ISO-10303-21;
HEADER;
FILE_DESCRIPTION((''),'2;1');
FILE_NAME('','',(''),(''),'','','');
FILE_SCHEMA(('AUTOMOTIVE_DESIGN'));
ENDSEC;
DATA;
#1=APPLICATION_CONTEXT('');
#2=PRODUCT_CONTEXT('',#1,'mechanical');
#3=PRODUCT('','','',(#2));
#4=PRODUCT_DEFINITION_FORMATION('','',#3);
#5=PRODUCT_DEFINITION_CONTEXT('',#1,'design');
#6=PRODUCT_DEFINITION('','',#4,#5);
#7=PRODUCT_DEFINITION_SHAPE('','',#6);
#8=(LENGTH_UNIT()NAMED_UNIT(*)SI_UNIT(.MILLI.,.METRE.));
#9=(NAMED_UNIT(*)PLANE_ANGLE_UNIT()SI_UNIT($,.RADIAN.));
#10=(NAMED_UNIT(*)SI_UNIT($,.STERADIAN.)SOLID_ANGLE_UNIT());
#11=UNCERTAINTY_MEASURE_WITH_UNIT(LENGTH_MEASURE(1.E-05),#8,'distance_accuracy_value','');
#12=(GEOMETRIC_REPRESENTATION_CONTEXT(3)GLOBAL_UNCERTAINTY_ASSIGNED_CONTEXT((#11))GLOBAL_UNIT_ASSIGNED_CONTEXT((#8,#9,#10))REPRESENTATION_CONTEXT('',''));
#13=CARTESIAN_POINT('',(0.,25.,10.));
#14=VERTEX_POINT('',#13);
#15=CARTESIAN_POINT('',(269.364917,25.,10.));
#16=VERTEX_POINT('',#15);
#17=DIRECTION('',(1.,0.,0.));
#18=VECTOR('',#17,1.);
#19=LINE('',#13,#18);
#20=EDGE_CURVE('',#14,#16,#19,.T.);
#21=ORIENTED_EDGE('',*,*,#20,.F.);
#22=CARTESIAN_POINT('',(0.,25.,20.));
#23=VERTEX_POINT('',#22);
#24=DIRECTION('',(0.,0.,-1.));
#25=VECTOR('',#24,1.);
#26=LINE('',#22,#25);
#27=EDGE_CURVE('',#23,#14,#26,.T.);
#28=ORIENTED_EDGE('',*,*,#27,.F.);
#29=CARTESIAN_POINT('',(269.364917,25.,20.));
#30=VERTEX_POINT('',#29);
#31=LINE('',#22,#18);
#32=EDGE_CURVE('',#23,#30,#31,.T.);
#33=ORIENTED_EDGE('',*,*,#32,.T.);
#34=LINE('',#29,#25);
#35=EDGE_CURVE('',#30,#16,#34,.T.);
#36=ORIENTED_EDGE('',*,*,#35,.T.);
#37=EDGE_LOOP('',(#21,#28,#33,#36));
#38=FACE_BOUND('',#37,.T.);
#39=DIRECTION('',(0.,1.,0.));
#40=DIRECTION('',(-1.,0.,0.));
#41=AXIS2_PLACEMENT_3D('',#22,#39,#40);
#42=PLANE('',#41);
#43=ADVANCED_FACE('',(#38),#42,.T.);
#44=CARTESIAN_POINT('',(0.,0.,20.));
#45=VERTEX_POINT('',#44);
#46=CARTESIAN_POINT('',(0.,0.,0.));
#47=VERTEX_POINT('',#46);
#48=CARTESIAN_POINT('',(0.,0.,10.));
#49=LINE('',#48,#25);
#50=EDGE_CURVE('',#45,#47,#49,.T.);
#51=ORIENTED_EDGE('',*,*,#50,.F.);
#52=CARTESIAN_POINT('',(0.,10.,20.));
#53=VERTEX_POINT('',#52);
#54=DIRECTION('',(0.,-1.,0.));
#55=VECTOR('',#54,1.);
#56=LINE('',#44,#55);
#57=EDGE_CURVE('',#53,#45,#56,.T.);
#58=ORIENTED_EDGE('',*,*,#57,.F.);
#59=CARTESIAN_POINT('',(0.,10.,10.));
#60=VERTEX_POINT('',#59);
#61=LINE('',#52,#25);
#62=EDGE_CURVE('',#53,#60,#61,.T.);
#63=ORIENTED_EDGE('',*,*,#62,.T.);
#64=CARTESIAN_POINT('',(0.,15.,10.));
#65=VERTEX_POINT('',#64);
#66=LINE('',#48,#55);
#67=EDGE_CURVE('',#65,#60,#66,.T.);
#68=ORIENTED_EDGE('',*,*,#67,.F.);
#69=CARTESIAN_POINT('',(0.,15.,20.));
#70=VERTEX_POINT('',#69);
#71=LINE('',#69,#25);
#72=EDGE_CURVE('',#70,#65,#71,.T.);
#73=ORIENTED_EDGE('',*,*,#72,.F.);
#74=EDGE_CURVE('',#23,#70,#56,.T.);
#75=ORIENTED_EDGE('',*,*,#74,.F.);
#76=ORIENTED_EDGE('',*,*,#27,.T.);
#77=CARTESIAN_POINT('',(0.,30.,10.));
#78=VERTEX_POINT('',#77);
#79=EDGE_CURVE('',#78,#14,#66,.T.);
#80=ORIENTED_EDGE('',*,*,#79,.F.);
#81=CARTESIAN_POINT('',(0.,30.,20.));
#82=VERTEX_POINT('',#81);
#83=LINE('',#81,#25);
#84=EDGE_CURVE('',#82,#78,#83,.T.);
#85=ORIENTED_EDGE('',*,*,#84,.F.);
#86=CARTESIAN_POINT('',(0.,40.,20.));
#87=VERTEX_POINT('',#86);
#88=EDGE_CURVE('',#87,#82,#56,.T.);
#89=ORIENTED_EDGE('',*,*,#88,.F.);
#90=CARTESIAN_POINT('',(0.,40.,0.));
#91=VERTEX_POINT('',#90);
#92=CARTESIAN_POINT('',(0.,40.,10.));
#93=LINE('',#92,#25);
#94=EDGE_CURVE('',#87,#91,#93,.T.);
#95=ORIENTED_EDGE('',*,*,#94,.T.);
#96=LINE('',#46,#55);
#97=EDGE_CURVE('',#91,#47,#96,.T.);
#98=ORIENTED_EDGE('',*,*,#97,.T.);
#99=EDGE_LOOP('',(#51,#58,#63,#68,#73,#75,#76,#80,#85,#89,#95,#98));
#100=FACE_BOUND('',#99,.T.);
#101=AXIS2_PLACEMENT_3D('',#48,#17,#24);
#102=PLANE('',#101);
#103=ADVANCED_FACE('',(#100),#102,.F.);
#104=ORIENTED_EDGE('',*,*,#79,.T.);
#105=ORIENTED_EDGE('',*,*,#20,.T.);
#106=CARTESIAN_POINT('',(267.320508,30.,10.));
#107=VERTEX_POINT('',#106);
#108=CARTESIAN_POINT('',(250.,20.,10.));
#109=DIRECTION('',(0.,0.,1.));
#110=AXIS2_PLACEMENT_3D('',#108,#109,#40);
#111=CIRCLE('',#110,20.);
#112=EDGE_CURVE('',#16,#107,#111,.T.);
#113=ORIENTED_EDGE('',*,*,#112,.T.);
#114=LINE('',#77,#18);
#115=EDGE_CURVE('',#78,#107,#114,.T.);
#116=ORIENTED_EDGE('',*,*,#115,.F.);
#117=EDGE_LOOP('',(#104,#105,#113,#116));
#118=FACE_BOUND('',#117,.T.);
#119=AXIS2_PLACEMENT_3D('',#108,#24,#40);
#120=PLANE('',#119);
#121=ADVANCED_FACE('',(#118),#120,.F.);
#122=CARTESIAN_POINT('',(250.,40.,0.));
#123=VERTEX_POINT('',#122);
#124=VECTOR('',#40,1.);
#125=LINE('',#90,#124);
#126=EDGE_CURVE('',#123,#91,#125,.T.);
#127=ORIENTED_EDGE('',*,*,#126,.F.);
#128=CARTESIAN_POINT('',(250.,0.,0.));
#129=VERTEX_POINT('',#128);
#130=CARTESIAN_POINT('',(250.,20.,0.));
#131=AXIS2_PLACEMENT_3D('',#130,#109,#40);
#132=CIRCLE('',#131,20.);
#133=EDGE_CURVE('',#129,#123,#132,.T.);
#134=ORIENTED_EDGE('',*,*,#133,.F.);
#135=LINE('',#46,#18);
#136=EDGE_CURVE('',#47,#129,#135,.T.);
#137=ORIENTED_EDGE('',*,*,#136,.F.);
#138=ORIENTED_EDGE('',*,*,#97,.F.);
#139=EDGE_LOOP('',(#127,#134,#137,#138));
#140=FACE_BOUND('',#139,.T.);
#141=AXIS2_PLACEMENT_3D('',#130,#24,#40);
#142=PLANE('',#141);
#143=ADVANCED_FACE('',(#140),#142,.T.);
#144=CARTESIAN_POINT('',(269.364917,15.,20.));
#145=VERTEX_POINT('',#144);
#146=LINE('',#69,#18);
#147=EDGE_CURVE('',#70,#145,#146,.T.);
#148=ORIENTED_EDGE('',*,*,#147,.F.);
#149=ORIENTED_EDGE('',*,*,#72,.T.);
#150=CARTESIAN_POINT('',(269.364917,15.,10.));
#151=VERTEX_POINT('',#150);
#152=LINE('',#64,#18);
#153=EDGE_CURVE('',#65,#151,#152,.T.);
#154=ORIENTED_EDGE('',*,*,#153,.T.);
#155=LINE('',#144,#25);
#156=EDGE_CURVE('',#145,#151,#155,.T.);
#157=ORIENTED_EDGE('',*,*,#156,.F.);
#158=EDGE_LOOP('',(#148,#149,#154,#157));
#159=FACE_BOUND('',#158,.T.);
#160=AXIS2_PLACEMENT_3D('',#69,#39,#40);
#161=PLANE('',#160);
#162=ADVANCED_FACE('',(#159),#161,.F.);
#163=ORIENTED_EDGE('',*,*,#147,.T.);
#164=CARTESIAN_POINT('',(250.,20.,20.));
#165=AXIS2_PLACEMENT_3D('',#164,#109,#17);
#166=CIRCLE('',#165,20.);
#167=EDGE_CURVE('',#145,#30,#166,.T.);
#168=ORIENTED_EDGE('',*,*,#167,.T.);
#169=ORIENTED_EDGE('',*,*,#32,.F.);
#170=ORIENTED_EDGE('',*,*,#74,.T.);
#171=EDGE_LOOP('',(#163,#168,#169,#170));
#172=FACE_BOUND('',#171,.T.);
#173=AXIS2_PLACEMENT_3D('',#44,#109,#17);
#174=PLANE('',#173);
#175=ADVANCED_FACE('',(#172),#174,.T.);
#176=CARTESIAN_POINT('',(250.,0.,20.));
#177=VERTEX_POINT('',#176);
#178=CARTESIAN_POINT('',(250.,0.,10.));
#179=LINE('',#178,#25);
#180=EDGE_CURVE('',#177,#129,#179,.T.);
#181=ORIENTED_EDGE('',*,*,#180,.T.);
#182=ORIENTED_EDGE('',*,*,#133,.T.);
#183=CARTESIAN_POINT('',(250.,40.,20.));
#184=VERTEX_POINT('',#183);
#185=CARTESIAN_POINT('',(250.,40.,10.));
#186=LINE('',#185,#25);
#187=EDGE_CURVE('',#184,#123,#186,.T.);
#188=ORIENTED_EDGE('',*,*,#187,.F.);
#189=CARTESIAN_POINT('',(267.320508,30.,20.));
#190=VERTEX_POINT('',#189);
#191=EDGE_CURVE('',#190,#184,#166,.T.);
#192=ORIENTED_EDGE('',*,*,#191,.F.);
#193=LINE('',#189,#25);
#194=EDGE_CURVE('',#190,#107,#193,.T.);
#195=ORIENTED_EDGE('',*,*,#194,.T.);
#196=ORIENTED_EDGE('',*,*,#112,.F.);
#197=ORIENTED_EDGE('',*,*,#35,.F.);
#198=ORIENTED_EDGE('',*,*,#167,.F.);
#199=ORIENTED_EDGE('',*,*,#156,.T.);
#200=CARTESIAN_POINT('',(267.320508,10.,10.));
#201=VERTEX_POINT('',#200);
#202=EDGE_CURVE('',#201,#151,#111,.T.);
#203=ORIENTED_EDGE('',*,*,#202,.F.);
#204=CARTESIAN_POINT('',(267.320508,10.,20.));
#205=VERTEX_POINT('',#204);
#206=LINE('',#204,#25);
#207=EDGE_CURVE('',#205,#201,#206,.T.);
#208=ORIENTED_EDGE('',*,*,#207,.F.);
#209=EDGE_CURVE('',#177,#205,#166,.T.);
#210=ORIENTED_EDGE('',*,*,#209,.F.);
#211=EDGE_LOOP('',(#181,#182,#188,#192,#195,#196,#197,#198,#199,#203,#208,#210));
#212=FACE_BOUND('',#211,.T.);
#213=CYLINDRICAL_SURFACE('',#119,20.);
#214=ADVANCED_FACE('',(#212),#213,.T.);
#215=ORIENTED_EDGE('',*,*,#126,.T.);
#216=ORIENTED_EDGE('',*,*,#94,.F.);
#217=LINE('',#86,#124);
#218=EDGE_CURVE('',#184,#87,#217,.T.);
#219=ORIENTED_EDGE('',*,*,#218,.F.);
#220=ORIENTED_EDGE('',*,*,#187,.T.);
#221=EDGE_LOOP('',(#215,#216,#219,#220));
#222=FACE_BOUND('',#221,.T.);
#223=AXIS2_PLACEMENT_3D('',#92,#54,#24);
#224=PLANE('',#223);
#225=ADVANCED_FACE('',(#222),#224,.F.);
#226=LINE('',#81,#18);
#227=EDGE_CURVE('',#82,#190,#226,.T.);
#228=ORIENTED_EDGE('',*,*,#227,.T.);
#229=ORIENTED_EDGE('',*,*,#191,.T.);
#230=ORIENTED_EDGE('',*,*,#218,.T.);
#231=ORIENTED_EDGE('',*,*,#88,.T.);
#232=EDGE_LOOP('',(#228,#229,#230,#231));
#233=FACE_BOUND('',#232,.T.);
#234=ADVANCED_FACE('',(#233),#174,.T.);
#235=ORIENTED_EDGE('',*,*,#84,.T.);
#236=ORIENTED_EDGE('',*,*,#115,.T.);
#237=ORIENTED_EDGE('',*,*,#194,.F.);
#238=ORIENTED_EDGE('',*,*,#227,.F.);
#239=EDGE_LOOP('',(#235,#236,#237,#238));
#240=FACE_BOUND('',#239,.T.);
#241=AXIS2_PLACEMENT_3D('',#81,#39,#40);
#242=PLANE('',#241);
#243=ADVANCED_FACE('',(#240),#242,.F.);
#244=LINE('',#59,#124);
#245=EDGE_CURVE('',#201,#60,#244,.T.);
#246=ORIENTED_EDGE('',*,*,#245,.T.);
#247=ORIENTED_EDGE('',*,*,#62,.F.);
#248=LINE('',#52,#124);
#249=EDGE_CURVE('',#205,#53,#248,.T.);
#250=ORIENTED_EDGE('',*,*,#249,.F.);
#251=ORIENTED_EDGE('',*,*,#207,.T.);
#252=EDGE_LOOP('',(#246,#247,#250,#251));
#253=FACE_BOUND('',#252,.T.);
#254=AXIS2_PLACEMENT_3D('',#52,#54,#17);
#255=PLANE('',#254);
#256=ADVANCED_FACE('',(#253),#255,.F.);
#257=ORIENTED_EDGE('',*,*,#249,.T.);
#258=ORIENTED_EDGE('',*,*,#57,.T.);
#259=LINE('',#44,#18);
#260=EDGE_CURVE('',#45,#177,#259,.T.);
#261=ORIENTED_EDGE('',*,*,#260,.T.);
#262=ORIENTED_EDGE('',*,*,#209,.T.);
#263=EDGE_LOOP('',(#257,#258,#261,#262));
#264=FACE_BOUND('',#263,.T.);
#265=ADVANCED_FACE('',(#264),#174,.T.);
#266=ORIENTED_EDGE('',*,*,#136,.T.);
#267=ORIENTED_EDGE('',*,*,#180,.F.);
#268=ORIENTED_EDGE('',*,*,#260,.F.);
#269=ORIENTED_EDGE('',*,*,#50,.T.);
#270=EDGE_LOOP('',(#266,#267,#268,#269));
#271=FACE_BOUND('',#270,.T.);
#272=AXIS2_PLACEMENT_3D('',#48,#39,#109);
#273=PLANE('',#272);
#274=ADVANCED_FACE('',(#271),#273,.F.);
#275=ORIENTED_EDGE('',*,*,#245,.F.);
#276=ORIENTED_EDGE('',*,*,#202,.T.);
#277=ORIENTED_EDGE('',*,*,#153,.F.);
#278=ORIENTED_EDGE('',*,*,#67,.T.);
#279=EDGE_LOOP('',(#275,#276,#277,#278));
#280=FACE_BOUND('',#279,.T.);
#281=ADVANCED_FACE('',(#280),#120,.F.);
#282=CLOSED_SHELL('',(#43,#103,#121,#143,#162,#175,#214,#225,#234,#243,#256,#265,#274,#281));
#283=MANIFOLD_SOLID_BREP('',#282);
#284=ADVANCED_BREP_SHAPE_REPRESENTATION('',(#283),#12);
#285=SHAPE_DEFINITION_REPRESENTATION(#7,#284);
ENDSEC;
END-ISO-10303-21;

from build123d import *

# Parameters (mm, degrees)
BOSS_EXTRUDE1_DEPTH = 10
BOSS_EXTRUDE2_DEPTH = 10


with BuildPart() as part:
    # Sketch2 → Boss-Extrude1 (new body)
    with BuildSketch(Plane.XY):
        with BuildLine():
            Line((0, 0), (250, 0))
            ThreePointArc((250, 0), (270, 20), (250, 40))
            Line((250, 40), (0, 40))
            Line((0, 40), (0, 0))
        make_face()
    extrude(amount=BOSS_EXTRUDE1_DEPTH)

    # Sketch3 → Boss-Extrude2 (add)
    with BuildSketch(Plane.XY.offset(10)):
        with BuildLine():
            ThreePointArc((250, 0), (260, 2.679491924), (267.320508076, 10))
            Line((267.320508076, 10), (115.043886481, 10))
            Line((115.043886481, 10), (0, 10))
            Line((0, 10), (0, 0))
            Line((0, 0), (250, 0))
        make_face()
        with BuildLine():
            ThreePointArc((269.364916731, 15), (270, 20), (269.364916731, 25))
            Line((269.364916731, 25), (0, 25))
            Line((0, 25), (0, 15))
            Line((0, 15), (269.364916731, 15))
        make_face()
        with BuildLine():
            ThreePointArc((267.320508076, 30), (260, 37.320508076), (250, 40))
            Line((250, 40), (0, 40))
            Line((0, 40), (0, 30))
            Line((0, 30), (267.320508076, 30))
        make_face()
    extrude(amount=BOSS_EXTRUDE2_DEPTH)


solid = part.part
